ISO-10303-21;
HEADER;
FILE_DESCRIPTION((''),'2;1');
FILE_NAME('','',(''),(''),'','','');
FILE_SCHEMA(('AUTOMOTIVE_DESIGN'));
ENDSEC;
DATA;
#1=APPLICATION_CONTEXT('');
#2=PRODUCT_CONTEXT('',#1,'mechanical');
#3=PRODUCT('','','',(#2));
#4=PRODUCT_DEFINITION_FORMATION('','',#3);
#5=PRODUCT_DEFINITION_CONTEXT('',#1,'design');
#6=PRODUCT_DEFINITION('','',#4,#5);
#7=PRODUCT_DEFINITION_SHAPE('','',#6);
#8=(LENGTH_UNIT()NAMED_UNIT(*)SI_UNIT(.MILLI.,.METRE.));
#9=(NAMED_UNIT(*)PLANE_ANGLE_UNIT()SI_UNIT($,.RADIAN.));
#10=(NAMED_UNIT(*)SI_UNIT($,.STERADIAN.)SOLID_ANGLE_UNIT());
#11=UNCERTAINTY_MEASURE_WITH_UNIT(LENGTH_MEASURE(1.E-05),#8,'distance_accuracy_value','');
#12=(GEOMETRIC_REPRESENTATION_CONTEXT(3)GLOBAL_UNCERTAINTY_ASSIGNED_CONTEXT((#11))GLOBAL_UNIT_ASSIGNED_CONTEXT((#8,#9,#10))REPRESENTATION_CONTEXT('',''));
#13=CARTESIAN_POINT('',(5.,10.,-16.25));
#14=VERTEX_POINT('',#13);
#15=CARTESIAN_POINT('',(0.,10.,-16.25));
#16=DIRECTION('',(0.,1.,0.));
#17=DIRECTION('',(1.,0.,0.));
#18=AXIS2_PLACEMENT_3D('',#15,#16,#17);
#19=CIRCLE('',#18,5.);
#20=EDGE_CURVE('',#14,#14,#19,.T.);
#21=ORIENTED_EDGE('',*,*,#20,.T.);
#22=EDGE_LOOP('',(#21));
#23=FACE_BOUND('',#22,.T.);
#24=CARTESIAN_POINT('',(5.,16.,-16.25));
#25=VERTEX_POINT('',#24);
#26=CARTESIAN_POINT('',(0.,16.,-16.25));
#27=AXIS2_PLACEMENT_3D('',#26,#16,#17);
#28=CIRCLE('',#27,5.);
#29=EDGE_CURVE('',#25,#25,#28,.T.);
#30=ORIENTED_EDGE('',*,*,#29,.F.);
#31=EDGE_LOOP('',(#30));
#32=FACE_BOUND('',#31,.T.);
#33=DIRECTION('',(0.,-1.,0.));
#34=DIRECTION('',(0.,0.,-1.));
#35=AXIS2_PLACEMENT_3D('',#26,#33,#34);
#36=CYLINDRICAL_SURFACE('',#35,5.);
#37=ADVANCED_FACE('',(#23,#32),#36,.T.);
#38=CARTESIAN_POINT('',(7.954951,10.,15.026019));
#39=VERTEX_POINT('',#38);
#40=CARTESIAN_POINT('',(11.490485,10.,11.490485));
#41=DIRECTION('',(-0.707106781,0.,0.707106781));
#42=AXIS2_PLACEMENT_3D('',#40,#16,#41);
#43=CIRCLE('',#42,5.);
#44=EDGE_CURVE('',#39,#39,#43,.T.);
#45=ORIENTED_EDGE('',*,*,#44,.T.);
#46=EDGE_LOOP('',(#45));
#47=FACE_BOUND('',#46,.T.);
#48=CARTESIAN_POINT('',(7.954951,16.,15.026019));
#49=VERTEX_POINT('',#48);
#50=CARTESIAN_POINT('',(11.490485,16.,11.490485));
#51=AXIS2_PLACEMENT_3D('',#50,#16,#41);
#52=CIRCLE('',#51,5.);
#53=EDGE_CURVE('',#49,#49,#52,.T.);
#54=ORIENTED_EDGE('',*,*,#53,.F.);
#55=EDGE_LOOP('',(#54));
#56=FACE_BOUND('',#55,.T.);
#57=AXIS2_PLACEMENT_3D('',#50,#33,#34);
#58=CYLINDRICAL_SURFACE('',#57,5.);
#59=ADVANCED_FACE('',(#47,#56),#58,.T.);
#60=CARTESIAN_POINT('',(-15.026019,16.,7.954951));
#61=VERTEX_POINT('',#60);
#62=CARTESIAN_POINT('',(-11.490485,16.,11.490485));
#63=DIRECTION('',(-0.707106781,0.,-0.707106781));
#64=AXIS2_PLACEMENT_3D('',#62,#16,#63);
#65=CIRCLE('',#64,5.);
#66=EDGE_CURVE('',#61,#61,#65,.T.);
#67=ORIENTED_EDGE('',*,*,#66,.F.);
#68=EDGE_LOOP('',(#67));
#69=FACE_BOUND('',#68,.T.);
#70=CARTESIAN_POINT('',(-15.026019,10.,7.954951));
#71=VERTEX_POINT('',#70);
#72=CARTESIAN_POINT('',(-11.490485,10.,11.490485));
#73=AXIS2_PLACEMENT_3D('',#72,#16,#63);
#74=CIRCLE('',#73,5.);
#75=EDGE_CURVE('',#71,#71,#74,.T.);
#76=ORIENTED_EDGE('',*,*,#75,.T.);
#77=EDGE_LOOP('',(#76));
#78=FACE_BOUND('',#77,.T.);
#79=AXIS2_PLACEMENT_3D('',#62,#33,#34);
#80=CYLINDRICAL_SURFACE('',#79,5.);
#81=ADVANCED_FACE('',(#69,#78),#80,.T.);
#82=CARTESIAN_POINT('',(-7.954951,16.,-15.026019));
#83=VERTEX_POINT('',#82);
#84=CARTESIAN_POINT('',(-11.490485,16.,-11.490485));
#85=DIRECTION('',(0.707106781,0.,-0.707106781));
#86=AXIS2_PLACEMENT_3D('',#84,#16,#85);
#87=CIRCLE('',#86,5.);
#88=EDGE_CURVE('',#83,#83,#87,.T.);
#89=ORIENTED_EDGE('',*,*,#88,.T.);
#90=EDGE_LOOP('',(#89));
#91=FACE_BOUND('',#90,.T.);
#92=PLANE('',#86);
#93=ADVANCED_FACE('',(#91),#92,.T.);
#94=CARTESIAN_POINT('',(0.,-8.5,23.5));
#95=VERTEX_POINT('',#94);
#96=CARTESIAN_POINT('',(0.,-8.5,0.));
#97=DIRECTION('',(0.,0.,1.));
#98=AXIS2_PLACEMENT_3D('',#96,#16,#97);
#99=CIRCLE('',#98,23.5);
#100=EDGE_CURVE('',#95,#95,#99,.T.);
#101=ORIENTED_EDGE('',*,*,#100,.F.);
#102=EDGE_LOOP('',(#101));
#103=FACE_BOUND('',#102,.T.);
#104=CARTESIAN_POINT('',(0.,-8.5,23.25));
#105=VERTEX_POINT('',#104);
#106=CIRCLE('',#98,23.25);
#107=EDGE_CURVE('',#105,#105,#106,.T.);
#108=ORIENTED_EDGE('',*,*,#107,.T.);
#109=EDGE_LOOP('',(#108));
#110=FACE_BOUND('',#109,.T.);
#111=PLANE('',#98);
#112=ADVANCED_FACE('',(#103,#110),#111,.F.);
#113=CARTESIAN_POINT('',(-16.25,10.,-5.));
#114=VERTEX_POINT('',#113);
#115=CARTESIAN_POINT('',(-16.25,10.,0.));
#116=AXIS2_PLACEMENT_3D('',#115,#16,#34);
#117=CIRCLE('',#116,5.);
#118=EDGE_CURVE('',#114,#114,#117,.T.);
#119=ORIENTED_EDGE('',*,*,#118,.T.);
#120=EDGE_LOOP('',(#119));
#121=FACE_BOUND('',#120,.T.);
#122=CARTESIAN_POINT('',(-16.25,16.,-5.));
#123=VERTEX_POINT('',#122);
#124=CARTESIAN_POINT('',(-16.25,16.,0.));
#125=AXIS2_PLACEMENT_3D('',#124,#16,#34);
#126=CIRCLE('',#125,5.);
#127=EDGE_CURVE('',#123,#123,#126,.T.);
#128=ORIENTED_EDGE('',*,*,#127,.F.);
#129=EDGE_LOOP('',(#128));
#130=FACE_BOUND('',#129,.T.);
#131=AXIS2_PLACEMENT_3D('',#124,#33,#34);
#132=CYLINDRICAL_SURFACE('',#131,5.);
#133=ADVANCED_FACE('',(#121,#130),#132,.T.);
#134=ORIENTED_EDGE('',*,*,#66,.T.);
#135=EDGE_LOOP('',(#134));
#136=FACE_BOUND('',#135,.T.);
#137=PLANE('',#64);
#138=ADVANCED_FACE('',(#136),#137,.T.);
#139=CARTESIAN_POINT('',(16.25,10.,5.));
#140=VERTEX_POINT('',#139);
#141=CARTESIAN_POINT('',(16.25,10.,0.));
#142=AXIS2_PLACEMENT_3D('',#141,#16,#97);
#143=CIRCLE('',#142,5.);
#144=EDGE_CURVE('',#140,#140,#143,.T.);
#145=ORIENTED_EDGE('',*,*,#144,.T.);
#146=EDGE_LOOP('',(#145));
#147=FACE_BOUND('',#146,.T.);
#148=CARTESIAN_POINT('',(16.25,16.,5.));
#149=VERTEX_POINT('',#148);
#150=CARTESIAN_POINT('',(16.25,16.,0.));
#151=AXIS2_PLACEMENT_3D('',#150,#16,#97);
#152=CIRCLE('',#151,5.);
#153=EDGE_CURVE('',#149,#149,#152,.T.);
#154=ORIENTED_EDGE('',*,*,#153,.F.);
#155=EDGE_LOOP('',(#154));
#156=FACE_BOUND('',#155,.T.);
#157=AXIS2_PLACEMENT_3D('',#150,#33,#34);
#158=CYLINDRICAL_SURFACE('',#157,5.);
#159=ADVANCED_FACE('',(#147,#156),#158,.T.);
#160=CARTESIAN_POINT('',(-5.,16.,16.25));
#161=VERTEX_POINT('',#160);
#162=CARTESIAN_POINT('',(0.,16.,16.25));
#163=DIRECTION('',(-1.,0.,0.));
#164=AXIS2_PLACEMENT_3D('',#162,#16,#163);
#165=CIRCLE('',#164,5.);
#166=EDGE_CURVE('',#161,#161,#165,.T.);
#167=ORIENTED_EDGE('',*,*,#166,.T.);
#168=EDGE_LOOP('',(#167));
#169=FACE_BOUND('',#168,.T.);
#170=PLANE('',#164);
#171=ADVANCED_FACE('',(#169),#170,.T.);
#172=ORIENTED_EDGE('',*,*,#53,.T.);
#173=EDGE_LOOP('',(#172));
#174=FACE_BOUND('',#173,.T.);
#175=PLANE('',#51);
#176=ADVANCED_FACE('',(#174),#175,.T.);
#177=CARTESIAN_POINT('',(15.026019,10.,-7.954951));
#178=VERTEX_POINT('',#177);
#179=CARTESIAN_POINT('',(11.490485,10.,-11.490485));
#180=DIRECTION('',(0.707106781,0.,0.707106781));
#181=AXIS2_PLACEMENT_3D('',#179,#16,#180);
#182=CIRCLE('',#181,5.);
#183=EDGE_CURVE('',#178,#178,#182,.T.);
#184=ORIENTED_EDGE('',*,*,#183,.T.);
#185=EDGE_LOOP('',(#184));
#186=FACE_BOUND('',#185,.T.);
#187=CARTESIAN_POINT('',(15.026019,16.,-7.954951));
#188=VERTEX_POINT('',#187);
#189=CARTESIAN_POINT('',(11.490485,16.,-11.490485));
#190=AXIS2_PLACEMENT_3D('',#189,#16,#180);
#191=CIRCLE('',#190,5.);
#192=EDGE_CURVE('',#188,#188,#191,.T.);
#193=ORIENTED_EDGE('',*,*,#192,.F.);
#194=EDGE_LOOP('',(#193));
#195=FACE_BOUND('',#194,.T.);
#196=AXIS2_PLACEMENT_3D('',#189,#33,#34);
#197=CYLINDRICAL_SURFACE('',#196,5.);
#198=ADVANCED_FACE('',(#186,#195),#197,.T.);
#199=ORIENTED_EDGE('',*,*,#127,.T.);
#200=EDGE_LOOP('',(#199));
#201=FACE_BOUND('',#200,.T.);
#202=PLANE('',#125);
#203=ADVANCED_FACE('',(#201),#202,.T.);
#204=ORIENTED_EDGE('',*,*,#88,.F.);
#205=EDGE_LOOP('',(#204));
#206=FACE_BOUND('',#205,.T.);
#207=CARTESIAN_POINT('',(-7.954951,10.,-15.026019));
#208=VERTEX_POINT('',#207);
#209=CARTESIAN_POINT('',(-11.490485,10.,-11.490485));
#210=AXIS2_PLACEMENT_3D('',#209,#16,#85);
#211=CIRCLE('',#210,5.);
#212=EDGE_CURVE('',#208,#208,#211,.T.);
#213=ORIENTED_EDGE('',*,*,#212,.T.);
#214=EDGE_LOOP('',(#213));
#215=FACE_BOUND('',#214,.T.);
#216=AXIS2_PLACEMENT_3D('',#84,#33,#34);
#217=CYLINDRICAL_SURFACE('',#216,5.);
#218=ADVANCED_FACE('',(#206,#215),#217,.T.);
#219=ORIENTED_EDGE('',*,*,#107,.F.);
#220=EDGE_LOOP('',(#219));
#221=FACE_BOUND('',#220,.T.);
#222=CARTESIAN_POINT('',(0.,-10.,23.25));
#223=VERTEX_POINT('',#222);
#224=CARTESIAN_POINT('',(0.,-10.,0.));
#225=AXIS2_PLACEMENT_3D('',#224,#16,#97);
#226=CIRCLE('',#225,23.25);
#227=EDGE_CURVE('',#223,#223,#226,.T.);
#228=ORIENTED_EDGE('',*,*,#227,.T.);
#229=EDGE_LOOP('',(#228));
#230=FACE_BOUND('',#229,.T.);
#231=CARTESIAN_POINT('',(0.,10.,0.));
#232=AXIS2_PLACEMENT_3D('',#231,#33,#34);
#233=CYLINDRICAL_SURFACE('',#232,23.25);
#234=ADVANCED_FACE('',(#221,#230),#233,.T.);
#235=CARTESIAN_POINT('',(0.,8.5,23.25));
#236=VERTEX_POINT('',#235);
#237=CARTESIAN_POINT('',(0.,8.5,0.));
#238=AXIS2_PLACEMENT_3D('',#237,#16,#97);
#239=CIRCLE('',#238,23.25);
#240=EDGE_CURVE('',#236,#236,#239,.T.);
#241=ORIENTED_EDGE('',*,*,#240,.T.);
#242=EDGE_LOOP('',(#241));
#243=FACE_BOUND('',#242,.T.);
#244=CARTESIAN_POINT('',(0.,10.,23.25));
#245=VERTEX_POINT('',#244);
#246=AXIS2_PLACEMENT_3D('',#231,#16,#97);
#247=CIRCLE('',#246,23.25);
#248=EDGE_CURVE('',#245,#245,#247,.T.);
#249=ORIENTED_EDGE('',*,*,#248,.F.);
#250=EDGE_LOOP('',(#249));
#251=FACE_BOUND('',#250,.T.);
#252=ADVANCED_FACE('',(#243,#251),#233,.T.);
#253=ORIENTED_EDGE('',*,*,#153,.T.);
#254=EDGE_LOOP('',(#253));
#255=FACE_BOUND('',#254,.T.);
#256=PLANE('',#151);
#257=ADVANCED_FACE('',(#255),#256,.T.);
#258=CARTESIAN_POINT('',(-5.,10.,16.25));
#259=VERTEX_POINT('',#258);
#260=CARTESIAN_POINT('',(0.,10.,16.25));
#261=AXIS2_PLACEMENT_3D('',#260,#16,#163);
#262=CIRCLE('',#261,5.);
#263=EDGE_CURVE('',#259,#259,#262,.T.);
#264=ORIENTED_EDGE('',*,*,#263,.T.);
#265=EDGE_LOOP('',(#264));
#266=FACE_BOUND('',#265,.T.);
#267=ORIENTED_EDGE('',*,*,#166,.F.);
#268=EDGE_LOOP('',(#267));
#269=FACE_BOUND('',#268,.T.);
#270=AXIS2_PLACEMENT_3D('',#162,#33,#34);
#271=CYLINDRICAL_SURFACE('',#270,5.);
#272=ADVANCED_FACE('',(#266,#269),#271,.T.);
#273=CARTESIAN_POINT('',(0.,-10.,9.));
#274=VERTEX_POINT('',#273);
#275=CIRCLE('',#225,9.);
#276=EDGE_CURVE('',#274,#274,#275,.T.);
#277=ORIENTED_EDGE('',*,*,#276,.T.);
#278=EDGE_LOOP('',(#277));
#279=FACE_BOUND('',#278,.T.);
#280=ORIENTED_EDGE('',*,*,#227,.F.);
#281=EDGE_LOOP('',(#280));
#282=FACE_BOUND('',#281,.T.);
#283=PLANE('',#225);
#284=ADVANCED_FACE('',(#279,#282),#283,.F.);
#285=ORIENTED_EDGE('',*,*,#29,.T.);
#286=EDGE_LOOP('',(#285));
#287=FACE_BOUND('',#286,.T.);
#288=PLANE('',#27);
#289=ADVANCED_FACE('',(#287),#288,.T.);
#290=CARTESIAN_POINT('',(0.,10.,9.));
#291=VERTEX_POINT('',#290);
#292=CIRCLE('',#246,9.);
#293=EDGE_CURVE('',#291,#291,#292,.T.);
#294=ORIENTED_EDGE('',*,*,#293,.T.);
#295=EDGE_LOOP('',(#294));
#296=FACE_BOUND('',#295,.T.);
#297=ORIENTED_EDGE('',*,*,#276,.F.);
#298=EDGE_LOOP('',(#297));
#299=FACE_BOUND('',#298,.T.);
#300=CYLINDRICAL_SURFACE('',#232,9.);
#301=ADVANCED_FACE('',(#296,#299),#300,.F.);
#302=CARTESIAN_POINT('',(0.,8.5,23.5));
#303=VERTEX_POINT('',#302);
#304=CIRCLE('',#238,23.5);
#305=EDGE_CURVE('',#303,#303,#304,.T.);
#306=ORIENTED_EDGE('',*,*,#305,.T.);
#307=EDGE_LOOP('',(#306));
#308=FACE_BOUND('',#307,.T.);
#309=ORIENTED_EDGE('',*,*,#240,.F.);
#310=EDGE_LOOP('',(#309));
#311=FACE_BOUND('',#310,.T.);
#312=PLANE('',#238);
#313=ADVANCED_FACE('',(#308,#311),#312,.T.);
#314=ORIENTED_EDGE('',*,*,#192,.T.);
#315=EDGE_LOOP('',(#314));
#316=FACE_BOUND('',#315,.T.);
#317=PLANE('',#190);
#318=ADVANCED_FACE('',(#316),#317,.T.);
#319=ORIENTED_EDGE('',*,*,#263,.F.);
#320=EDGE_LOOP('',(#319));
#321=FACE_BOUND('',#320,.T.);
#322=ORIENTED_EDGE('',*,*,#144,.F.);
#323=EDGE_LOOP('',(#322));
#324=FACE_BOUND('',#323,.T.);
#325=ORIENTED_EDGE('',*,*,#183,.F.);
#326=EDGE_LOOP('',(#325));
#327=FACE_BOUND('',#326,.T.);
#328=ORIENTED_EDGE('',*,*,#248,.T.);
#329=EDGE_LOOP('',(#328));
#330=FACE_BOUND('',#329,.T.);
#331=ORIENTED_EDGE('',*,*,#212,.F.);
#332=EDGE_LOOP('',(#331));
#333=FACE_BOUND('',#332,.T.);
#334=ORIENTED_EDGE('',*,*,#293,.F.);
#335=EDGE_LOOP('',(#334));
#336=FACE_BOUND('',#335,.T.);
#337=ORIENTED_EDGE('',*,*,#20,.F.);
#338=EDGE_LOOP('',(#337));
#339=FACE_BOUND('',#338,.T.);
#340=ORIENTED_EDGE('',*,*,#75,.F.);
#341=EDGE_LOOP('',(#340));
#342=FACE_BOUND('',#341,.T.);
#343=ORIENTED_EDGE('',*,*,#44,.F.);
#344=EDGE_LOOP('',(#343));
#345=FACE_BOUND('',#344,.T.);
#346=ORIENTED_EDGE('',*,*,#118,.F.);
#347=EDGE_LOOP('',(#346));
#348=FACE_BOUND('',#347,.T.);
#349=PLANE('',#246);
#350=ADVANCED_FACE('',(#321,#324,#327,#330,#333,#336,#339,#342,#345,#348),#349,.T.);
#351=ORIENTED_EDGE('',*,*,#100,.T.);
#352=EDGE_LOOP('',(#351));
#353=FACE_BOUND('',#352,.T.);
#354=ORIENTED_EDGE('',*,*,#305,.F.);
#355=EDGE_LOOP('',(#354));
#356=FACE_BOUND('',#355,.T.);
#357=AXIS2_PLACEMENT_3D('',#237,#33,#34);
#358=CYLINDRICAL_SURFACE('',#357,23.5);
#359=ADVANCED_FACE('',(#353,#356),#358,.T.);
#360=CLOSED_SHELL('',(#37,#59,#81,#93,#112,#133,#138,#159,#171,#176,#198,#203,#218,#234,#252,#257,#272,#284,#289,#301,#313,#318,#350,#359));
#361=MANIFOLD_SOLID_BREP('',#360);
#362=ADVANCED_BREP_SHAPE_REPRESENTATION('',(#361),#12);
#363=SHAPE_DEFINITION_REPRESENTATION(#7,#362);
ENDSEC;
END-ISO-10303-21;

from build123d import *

# Parameters (mm, degrees)
SKETCH_1_R               = 23.25
SKETCH_1_R_2             = 9
EXTRUDE_1_DEPTH          = 10
SKETCH_2_R               = 5
EXTRUDE_2_DEPTH          = 6
PATTERN_CIRCULAR_1_COUNT = 8
SKETCH_4_R               = 23.5
SKETCH_4_R_2             = 9
EXTRUDE_3_DEPTH          = 8.5


with BuildPart() as part:
    # 草图1 → 凸台-拉伸1 (new, symmetric)
    with BuildSketch(Plane(origin=(0, 0, 0), x_dir=(1, 0, 0), z_dir=(0, 1, 0))):
        with Locations(Location((0, 0, 0), (0, 0, 270))):
            Circle(SKETCH_1_R)
        with Locations(Location((0, 0, 0), (0, 0, 270))):
            Circle(SKETCH_1_R_2, mode=Mode.SUBTRACT)
    extrude(amount=EXTRUDE_1_DEPTH, both=True)

    # 草图2 → 凸台-拉伸2 (add)
    with BuildSketch(Plane(origin=(0, 10, 0), x_dir=(1, 0, 0), z_dir=(0, 1, 0))):
        with Locations(Location((16.25, 0, 0), (0, 0, 270))):
            Circle(SKETCH_2_R)
    extrude_2 = extrude(amount=EXTRUDE_2_DEPTH)

    # 阵列(圆周)1: 凸台-拉伸2 ×8 about axis
    pattern_circular_1_axis = Axis((0, 0, 0), (0, 1, 0))
    for i in range(1, PATTERN_CIRCULAR_1_COUNT):
        add(extrude_2.rotate(pattern_circular_1_axis, i * 360 / PATTERN_CIRCULAR_1_COUNT))

    # 草图4 → 凸台-拉伸3 (add, symmetric)
    with BuildSketch(Plane(origin=(0, 0, 0), x_dir=(1, 0, 0), z_dir=(0, 1, 0))):
        with Locations(Location((0, 0, 0), (0, 0, 270))):
            Circle(SKETCH_4_R)
        with Locations(Location((0, 0, 0), (0, 0, 270))):
            Circle(SKETCH_4_R_2, mode=Mode.SUBTRACT)
    extrude(amount=EXTRUDE_3_DEPTH, both=True)


solid = part.part
